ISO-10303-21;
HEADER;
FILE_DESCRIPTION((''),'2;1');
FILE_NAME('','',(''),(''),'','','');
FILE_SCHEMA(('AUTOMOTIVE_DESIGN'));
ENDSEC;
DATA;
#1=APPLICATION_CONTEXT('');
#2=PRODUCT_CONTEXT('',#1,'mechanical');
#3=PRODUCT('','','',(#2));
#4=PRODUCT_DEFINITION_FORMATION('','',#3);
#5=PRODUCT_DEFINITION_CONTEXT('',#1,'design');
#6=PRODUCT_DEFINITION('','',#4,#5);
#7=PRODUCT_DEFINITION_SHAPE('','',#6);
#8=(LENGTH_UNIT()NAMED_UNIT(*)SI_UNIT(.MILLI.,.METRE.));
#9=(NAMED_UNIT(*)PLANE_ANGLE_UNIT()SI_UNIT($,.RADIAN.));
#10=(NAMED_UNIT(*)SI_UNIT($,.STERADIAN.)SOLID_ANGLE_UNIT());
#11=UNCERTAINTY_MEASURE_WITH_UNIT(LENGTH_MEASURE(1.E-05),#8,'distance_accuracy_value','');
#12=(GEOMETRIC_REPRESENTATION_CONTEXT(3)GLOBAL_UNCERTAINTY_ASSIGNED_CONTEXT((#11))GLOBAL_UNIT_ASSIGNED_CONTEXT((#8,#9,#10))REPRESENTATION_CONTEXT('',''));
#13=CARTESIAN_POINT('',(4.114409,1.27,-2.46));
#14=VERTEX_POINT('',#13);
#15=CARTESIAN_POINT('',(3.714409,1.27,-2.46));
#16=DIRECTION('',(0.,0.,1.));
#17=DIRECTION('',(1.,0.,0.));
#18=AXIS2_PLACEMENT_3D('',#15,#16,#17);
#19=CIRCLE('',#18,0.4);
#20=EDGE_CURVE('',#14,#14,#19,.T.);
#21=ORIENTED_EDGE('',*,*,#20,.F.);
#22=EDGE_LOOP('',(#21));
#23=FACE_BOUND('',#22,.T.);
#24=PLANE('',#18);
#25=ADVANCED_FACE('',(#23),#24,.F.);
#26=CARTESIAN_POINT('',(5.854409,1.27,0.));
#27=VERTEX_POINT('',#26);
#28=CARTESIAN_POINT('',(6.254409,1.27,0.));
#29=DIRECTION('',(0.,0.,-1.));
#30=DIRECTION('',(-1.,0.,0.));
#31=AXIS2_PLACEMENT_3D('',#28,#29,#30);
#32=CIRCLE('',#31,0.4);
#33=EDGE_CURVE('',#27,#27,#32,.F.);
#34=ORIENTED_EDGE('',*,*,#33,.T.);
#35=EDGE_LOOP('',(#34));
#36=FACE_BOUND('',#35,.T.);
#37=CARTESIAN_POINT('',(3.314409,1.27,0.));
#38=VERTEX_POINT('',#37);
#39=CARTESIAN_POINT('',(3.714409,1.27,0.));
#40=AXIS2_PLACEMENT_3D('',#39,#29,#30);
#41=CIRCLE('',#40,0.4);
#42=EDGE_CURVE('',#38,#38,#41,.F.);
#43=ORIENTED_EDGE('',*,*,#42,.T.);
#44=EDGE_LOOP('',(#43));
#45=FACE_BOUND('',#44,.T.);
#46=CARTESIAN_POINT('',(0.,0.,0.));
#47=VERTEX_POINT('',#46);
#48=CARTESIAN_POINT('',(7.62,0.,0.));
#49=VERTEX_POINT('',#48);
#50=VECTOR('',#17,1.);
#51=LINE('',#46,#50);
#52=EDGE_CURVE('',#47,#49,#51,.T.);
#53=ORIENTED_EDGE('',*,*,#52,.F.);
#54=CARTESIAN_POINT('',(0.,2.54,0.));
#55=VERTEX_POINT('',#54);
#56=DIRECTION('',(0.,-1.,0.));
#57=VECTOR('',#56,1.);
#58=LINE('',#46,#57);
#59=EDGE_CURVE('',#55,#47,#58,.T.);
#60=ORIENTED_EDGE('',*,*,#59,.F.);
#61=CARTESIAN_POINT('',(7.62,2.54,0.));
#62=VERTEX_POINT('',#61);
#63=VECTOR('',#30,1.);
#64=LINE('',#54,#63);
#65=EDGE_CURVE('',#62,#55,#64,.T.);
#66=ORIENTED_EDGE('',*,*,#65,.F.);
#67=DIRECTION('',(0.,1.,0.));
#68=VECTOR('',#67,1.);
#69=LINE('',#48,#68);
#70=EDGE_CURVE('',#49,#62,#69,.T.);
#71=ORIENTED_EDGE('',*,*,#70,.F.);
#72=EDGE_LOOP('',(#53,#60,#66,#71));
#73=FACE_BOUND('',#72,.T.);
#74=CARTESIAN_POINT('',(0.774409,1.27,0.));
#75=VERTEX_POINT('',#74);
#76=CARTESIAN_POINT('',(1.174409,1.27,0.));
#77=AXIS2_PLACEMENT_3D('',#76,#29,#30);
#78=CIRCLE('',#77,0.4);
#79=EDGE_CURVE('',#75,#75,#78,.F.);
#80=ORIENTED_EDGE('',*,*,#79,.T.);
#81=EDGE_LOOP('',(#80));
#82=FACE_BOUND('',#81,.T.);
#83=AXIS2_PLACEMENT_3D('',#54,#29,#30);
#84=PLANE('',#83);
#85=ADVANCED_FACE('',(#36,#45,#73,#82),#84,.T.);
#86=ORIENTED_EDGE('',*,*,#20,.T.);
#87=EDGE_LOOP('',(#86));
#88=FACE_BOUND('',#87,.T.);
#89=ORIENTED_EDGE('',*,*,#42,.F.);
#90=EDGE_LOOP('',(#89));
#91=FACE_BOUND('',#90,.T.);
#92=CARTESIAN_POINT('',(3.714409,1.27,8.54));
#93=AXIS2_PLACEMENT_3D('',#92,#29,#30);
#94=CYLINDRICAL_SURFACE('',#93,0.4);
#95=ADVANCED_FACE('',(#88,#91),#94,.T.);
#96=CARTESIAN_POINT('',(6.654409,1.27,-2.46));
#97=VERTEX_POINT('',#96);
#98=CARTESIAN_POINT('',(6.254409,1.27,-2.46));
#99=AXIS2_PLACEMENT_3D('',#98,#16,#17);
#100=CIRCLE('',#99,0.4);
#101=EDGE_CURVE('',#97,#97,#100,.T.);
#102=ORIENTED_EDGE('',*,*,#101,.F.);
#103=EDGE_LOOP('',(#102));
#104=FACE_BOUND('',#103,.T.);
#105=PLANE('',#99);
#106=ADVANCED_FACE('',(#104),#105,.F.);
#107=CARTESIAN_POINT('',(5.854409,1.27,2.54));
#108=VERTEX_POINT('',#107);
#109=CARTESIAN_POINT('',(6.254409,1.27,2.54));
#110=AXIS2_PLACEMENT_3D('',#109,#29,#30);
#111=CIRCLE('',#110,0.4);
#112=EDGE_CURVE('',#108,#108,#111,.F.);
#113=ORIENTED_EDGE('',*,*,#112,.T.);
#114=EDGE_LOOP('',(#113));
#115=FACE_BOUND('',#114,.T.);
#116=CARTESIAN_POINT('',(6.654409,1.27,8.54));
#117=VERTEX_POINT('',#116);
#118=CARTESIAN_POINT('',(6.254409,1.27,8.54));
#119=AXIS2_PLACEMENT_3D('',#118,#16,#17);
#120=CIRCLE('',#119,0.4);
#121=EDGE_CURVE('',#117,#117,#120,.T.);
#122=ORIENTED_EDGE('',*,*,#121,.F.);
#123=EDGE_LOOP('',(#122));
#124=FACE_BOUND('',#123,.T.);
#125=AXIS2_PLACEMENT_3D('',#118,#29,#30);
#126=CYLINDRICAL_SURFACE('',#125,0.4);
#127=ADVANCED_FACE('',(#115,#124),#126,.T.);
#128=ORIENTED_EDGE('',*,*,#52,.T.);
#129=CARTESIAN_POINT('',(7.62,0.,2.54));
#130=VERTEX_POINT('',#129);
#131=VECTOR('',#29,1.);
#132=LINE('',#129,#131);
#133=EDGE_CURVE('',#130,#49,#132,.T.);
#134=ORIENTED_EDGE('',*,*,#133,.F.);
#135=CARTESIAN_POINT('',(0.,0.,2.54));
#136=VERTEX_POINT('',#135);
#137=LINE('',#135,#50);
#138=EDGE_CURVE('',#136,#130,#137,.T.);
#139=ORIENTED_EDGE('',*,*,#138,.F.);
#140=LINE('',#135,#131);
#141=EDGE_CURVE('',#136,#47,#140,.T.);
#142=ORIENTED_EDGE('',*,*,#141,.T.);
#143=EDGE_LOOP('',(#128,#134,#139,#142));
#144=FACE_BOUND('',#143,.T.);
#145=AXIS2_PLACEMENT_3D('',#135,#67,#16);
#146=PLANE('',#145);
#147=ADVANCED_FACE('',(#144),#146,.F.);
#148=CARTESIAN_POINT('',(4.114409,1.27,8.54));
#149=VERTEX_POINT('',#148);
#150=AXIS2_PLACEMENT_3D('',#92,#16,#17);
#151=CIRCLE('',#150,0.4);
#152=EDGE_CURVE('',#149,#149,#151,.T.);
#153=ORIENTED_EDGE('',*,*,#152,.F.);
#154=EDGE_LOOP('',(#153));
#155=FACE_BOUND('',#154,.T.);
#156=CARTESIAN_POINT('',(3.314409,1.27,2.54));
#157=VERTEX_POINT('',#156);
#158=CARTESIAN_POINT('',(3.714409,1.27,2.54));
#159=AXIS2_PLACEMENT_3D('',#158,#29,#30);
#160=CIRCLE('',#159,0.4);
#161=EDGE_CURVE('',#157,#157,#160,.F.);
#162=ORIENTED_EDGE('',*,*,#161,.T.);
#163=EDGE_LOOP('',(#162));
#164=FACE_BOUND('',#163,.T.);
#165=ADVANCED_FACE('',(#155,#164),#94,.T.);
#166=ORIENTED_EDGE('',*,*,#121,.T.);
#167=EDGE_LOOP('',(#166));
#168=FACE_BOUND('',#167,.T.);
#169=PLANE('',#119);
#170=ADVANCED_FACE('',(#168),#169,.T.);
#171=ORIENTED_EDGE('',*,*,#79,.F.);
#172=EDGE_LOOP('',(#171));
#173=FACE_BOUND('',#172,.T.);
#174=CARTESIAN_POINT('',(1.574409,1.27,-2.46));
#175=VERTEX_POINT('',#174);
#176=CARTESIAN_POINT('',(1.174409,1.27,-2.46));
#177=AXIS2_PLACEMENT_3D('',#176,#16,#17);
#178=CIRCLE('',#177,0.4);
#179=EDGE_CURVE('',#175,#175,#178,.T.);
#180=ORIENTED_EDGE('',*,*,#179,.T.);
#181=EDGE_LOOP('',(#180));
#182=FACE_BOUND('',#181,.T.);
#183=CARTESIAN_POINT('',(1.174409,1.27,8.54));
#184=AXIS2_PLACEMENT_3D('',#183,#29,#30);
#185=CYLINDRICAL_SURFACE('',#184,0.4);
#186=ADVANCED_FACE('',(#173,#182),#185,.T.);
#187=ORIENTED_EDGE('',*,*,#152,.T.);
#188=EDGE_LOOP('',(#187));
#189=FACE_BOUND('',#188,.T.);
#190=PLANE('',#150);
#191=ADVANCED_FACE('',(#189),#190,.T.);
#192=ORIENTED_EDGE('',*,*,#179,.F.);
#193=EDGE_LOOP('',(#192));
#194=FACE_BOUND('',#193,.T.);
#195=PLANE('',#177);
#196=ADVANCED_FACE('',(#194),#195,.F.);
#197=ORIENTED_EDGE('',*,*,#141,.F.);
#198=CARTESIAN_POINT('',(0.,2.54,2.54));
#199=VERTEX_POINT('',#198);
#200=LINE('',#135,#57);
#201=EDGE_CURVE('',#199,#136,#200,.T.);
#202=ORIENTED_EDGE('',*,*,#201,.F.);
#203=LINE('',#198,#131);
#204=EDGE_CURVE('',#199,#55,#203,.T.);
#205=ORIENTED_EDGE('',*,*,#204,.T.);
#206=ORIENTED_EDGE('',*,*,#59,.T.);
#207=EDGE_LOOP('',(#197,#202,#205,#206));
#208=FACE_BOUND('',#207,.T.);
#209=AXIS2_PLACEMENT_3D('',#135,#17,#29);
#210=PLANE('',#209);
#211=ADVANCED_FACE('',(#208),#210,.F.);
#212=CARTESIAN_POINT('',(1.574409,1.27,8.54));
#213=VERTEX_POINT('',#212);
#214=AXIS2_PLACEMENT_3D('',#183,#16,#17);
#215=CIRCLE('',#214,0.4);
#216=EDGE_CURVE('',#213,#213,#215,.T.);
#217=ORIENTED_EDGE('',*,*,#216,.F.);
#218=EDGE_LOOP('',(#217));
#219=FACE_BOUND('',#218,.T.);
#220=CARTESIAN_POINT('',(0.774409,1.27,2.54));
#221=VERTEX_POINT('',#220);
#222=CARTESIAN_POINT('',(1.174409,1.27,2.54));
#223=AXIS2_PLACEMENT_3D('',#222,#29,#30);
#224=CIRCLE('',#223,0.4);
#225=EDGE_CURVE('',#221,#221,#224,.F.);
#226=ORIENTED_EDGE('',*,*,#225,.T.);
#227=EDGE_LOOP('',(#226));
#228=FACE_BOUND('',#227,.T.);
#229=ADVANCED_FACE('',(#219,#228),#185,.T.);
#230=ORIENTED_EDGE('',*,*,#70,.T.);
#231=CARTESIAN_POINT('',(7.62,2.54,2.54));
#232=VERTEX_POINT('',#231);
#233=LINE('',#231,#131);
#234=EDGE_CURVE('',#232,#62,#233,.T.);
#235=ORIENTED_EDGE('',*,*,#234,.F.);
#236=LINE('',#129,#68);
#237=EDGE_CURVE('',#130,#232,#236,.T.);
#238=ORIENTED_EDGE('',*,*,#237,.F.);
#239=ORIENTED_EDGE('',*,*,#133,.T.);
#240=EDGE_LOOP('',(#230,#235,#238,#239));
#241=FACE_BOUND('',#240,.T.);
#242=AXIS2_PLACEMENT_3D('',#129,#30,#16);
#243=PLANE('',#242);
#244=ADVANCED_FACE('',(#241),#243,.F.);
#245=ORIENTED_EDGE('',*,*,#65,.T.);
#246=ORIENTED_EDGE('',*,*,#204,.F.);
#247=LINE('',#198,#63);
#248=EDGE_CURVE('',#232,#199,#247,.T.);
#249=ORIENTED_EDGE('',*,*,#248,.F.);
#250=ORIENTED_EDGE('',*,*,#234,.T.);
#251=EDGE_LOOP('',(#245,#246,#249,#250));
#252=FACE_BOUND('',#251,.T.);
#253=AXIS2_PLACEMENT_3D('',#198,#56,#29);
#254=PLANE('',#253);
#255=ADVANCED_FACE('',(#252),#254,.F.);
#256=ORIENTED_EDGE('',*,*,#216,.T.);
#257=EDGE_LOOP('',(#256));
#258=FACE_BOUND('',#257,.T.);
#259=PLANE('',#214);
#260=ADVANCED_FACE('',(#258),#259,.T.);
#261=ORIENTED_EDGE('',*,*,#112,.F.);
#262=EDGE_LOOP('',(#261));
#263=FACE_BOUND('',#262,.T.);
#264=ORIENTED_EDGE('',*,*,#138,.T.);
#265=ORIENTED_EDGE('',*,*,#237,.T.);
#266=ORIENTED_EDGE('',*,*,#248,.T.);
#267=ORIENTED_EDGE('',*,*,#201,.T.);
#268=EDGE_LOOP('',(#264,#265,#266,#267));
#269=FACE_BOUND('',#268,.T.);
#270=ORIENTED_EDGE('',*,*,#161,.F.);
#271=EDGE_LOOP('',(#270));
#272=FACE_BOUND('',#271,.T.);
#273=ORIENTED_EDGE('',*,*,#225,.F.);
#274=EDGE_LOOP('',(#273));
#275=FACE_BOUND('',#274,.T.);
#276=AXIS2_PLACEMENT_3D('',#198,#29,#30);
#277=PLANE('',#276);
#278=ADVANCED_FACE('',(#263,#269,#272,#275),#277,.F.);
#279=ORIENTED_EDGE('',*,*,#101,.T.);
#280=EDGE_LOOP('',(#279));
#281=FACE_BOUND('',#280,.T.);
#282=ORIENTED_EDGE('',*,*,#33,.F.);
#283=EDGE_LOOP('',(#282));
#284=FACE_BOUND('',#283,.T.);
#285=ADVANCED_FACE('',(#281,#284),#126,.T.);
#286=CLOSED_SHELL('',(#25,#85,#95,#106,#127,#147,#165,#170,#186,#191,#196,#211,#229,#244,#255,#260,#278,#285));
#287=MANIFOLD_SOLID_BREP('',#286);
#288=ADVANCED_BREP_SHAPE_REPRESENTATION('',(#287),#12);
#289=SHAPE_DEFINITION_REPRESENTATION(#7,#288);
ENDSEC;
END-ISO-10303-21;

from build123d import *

# Parameters (mm, degrees)
SKETCH_1_W           = 7.62
SKETCH_1_H           = 2.54
EXTRUDE_1_DEPTH      = 2.54
EXTRUDE_2_DEPTH      = 6
EXTRUDE_2_DEPTH_BACK = 5
SKETCH_2_R           = 0.4


with BuildPart() as part:
    # Эскиз1 → Вытянуть1 (new body)
    with BuildSketch(Plane.XY):
        with Locations((3.81, 1.27)):
            Rectangle(SKETCH_1_W, SKETCH_1_H)
    extrude(amount=EXTRUDE_1_DEPTH)

    # Эскиз2 → Вытянуть2 (add, two sides: drawn at the far end of the back side and taken through both)
    with BuildSketch(Plane.XY.offset(2.54).offset(-EXTRUDE_2_DEPTH_BACK)):
        with Locations((1.174408602, 1.27)):
            Circle(SKETCH_2_R)
        with Locations((3.714408602, 1.27)):
            Circle(SKETCH_2_R)
        with Locations((6.254408602, 1.27)):
            Circle(SKETCH_2_R)
    extrude(amount=EXTRUDE_2_DEPTH + EXTRUDE_2_DEPTH_BACK)


solid = part.part
